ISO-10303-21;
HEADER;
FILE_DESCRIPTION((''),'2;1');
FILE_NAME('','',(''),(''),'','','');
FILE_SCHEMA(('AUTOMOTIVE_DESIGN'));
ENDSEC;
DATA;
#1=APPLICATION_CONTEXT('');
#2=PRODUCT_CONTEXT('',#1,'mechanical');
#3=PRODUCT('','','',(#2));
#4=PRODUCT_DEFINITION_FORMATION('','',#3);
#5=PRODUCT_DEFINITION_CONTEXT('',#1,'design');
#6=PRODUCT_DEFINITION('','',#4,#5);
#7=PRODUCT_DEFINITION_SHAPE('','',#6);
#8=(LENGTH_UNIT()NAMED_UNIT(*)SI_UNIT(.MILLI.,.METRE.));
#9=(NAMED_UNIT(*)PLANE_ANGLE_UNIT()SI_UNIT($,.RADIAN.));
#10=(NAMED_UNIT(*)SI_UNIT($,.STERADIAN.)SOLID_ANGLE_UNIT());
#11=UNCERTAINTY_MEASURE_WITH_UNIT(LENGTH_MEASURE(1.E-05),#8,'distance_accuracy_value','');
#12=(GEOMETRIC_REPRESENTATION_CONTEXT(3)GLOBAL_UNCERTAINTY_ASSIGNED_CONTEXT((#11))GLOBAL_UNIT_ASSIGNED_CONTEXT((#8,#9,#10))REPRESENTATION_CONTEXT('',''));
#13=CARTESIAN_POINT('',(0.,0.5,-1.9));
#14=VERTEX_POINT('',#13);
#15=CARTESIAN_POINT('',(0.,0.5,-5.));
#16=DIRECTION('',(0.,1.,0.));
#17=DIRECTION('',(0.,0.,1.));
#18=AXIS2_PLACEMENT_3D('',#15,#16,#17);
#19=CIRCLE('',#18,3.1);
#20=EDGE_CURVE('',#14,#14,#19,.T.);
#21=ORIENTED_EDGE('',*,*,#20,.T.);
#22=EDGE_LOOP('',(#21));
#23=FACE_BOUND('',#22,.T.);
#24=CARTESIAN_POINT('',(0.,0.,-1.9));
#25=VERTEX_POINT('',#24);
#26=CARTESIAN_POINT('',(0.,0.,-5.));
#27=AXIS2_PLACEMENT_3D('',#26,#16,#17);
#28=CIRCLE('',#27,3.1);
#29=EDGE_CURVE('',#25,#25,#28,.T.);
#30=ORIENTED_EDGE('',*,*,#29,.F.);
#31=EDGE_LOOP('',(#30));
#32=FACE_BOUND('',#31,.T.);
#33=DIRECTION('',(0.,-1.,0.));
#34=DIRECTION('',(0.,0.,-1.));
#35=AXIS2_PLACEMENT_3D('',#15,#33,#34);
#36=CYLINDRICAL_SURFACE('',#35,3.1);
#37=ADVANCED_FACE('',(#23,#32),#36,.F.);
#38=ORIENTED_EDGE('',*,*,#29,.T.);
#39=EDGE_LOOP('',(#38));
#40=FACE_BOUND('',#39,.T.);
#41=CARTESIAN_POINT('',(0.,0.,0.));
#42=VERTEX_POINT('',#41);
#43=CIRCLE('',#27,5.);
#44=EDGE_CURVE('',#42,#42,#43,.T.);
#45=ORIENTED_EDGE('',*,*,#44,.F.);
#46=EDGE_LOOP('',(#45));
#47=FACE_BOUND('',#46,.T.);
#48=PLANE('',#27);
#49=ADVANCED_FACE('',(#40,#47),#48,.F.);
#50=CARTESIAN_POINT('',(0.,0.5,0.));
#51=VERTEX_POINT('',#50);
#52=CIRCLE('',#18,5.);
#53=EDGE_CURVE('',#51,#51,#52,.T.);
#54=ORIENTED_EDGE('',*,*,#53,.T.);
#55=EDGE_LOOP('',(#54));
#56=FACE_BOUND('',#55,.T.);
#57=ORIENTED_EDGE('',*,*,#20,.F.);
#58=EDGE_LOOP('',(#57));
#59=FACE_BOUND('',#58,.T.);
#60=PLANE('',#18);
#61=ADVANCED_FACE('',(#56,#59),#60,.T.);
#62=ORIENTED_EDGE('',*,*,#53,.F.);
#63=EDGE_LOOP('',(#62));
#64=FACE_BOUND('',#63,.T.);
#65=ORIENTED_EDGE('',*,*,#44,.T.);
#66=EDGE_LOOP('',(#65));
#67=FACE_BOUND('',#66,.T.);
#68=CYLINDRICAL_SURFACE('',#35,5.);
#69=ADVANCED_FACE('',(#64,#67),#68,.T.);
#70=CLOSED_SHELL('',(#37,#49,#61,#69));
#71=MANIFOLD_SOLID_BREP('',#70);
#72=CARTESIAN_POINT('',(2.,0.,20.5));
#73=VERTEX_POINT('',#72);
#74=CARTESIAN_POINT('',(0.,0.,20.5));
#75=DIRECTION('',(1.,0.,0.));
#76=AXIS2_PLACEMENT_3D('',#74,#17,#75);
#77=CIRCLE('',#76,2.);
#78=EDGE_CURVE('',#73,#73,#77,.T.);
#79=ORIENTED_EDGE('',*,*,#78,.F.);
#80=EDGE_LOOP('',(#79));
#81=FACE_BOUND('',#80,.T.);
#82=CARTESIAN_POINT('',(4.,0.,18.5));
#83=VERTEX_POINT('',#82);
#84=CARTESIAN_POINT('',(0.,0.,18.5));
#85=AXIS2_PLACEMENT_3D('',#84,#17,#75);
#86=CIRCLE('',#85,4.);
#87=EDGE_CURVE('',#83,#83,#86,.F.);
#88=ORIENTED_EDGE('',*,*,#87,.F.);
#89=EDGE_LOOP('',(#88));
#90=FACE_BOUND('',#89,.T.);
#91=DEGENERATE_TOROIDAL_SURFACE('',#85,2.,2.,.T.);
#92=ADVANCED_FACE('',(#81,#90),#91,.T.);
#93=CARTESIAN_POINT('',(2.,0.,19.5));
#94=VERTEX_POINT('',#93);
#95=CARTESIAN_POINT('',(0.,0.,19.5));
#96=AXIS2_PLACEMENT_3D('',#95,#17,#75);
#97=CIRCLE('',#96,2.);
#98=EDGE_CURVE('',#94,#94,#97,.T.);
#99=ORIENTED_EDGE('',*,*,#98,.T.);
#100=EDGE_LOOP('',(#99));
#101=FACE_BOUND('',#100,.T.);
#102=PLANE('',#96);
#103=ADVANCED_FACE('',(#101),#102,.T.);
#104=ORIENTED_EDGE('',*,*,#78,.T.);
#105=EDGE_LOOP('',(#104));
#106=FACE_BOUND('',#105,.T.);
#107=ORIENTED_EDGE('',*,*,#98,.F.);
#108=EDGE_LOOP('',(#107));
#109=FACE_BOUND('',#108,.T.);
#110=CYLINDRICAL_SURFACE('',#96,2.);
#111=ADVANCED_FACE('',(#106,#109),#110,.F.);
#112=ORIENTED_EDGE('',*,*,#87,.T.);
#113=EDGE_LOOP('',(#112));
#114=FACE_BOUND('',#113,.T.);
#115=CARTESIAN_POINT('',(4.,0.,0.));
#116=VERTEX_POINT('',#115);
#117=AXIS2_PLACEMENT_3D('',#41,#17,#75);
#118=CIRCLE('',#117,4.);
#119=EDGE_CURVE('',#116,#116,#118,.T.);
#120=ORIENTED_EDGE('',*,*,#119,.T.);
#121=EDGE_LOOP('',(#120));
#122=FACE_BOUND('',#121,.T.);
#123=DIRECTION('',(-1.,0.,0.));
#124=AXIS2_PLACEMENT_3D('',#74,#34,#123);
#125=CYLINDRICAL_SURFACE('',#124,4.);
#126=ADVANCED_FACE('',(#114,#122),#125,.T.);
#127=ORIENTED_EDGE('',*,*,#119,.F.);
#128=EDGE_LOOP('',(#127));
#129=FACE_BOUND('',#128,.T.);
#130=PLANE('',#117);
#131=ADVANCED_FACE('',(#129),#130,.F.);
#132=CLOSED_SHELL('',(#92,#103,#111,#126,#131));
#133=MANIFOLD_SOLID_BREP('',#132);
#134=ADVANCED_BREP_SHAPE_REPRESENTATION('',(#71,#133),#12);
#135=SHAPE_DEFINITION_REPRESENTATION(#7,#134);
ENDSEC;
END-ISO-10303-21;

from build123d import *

# Parameters (mm, degrees)
SKETCH_8_R          = 4
EXTRUDE_4_DEPTH     = 20.5
SKETCH_10_R         = 5
SKETCH_10_R_2       = 3.1
EXTRUDE_5_DEPTH     = 0.5
FILLET_1_R          = 2
SKETCH_11_R         = 2
CUT_EXTRUDE_1_DEPTH = 1


with BuildPart() as part:
    # ｽｹｯﾁ8 → ﾎﾞｽ - 押し出し4 (new body)
    with BuildSketch(Plane.XY):
        Circle(SKETCH_8_R)
    extrude(amount=EXTRUDE_4_DEPTH)

    # ﾌｨﾚｯﾄ1
    fillet_1_edges = [part.edges().sort_by_distance(p)[0] for p in [
        (-4, 0, 20.5),
    ]]
    fillet(fillet_1_edges, radius=FILLET_1_R)

    # ｽｹｯﾁ11 → ｶｯﾄ - 押し出し1 (cut)
    with BuildSketch(Plane.XY.offset(20.5)):
        Circle(SKETCH_11_R)
    extrude(amount=-CUT_EXTRUDE_1_DEPTH, mode=Mode.SUBTRACT)


with BuildPart() as body_2:
    # ｽｹｯﾁ10 → ﾎﾞｽ - 押し出し5 (new body)
    with BuildSketch(Plane(origin=(0, 0, 0), x_dir=(1, 0, 0), z_dir=(0, 1, 0))):
        with Locations(Location((0, 5, 0), (0, 0, 270))):
            Circle(SKETCH_10_R)
        with Locations(Location((0, 5, 0), (0, 0, 270))):
            Circle(SKETCH_10_R_2, mode=Mode.SUBTRACT)
    extrude(amount=EXTRUDE_5_DEPTH)


solid = Compound([part.part, body_2.part])
